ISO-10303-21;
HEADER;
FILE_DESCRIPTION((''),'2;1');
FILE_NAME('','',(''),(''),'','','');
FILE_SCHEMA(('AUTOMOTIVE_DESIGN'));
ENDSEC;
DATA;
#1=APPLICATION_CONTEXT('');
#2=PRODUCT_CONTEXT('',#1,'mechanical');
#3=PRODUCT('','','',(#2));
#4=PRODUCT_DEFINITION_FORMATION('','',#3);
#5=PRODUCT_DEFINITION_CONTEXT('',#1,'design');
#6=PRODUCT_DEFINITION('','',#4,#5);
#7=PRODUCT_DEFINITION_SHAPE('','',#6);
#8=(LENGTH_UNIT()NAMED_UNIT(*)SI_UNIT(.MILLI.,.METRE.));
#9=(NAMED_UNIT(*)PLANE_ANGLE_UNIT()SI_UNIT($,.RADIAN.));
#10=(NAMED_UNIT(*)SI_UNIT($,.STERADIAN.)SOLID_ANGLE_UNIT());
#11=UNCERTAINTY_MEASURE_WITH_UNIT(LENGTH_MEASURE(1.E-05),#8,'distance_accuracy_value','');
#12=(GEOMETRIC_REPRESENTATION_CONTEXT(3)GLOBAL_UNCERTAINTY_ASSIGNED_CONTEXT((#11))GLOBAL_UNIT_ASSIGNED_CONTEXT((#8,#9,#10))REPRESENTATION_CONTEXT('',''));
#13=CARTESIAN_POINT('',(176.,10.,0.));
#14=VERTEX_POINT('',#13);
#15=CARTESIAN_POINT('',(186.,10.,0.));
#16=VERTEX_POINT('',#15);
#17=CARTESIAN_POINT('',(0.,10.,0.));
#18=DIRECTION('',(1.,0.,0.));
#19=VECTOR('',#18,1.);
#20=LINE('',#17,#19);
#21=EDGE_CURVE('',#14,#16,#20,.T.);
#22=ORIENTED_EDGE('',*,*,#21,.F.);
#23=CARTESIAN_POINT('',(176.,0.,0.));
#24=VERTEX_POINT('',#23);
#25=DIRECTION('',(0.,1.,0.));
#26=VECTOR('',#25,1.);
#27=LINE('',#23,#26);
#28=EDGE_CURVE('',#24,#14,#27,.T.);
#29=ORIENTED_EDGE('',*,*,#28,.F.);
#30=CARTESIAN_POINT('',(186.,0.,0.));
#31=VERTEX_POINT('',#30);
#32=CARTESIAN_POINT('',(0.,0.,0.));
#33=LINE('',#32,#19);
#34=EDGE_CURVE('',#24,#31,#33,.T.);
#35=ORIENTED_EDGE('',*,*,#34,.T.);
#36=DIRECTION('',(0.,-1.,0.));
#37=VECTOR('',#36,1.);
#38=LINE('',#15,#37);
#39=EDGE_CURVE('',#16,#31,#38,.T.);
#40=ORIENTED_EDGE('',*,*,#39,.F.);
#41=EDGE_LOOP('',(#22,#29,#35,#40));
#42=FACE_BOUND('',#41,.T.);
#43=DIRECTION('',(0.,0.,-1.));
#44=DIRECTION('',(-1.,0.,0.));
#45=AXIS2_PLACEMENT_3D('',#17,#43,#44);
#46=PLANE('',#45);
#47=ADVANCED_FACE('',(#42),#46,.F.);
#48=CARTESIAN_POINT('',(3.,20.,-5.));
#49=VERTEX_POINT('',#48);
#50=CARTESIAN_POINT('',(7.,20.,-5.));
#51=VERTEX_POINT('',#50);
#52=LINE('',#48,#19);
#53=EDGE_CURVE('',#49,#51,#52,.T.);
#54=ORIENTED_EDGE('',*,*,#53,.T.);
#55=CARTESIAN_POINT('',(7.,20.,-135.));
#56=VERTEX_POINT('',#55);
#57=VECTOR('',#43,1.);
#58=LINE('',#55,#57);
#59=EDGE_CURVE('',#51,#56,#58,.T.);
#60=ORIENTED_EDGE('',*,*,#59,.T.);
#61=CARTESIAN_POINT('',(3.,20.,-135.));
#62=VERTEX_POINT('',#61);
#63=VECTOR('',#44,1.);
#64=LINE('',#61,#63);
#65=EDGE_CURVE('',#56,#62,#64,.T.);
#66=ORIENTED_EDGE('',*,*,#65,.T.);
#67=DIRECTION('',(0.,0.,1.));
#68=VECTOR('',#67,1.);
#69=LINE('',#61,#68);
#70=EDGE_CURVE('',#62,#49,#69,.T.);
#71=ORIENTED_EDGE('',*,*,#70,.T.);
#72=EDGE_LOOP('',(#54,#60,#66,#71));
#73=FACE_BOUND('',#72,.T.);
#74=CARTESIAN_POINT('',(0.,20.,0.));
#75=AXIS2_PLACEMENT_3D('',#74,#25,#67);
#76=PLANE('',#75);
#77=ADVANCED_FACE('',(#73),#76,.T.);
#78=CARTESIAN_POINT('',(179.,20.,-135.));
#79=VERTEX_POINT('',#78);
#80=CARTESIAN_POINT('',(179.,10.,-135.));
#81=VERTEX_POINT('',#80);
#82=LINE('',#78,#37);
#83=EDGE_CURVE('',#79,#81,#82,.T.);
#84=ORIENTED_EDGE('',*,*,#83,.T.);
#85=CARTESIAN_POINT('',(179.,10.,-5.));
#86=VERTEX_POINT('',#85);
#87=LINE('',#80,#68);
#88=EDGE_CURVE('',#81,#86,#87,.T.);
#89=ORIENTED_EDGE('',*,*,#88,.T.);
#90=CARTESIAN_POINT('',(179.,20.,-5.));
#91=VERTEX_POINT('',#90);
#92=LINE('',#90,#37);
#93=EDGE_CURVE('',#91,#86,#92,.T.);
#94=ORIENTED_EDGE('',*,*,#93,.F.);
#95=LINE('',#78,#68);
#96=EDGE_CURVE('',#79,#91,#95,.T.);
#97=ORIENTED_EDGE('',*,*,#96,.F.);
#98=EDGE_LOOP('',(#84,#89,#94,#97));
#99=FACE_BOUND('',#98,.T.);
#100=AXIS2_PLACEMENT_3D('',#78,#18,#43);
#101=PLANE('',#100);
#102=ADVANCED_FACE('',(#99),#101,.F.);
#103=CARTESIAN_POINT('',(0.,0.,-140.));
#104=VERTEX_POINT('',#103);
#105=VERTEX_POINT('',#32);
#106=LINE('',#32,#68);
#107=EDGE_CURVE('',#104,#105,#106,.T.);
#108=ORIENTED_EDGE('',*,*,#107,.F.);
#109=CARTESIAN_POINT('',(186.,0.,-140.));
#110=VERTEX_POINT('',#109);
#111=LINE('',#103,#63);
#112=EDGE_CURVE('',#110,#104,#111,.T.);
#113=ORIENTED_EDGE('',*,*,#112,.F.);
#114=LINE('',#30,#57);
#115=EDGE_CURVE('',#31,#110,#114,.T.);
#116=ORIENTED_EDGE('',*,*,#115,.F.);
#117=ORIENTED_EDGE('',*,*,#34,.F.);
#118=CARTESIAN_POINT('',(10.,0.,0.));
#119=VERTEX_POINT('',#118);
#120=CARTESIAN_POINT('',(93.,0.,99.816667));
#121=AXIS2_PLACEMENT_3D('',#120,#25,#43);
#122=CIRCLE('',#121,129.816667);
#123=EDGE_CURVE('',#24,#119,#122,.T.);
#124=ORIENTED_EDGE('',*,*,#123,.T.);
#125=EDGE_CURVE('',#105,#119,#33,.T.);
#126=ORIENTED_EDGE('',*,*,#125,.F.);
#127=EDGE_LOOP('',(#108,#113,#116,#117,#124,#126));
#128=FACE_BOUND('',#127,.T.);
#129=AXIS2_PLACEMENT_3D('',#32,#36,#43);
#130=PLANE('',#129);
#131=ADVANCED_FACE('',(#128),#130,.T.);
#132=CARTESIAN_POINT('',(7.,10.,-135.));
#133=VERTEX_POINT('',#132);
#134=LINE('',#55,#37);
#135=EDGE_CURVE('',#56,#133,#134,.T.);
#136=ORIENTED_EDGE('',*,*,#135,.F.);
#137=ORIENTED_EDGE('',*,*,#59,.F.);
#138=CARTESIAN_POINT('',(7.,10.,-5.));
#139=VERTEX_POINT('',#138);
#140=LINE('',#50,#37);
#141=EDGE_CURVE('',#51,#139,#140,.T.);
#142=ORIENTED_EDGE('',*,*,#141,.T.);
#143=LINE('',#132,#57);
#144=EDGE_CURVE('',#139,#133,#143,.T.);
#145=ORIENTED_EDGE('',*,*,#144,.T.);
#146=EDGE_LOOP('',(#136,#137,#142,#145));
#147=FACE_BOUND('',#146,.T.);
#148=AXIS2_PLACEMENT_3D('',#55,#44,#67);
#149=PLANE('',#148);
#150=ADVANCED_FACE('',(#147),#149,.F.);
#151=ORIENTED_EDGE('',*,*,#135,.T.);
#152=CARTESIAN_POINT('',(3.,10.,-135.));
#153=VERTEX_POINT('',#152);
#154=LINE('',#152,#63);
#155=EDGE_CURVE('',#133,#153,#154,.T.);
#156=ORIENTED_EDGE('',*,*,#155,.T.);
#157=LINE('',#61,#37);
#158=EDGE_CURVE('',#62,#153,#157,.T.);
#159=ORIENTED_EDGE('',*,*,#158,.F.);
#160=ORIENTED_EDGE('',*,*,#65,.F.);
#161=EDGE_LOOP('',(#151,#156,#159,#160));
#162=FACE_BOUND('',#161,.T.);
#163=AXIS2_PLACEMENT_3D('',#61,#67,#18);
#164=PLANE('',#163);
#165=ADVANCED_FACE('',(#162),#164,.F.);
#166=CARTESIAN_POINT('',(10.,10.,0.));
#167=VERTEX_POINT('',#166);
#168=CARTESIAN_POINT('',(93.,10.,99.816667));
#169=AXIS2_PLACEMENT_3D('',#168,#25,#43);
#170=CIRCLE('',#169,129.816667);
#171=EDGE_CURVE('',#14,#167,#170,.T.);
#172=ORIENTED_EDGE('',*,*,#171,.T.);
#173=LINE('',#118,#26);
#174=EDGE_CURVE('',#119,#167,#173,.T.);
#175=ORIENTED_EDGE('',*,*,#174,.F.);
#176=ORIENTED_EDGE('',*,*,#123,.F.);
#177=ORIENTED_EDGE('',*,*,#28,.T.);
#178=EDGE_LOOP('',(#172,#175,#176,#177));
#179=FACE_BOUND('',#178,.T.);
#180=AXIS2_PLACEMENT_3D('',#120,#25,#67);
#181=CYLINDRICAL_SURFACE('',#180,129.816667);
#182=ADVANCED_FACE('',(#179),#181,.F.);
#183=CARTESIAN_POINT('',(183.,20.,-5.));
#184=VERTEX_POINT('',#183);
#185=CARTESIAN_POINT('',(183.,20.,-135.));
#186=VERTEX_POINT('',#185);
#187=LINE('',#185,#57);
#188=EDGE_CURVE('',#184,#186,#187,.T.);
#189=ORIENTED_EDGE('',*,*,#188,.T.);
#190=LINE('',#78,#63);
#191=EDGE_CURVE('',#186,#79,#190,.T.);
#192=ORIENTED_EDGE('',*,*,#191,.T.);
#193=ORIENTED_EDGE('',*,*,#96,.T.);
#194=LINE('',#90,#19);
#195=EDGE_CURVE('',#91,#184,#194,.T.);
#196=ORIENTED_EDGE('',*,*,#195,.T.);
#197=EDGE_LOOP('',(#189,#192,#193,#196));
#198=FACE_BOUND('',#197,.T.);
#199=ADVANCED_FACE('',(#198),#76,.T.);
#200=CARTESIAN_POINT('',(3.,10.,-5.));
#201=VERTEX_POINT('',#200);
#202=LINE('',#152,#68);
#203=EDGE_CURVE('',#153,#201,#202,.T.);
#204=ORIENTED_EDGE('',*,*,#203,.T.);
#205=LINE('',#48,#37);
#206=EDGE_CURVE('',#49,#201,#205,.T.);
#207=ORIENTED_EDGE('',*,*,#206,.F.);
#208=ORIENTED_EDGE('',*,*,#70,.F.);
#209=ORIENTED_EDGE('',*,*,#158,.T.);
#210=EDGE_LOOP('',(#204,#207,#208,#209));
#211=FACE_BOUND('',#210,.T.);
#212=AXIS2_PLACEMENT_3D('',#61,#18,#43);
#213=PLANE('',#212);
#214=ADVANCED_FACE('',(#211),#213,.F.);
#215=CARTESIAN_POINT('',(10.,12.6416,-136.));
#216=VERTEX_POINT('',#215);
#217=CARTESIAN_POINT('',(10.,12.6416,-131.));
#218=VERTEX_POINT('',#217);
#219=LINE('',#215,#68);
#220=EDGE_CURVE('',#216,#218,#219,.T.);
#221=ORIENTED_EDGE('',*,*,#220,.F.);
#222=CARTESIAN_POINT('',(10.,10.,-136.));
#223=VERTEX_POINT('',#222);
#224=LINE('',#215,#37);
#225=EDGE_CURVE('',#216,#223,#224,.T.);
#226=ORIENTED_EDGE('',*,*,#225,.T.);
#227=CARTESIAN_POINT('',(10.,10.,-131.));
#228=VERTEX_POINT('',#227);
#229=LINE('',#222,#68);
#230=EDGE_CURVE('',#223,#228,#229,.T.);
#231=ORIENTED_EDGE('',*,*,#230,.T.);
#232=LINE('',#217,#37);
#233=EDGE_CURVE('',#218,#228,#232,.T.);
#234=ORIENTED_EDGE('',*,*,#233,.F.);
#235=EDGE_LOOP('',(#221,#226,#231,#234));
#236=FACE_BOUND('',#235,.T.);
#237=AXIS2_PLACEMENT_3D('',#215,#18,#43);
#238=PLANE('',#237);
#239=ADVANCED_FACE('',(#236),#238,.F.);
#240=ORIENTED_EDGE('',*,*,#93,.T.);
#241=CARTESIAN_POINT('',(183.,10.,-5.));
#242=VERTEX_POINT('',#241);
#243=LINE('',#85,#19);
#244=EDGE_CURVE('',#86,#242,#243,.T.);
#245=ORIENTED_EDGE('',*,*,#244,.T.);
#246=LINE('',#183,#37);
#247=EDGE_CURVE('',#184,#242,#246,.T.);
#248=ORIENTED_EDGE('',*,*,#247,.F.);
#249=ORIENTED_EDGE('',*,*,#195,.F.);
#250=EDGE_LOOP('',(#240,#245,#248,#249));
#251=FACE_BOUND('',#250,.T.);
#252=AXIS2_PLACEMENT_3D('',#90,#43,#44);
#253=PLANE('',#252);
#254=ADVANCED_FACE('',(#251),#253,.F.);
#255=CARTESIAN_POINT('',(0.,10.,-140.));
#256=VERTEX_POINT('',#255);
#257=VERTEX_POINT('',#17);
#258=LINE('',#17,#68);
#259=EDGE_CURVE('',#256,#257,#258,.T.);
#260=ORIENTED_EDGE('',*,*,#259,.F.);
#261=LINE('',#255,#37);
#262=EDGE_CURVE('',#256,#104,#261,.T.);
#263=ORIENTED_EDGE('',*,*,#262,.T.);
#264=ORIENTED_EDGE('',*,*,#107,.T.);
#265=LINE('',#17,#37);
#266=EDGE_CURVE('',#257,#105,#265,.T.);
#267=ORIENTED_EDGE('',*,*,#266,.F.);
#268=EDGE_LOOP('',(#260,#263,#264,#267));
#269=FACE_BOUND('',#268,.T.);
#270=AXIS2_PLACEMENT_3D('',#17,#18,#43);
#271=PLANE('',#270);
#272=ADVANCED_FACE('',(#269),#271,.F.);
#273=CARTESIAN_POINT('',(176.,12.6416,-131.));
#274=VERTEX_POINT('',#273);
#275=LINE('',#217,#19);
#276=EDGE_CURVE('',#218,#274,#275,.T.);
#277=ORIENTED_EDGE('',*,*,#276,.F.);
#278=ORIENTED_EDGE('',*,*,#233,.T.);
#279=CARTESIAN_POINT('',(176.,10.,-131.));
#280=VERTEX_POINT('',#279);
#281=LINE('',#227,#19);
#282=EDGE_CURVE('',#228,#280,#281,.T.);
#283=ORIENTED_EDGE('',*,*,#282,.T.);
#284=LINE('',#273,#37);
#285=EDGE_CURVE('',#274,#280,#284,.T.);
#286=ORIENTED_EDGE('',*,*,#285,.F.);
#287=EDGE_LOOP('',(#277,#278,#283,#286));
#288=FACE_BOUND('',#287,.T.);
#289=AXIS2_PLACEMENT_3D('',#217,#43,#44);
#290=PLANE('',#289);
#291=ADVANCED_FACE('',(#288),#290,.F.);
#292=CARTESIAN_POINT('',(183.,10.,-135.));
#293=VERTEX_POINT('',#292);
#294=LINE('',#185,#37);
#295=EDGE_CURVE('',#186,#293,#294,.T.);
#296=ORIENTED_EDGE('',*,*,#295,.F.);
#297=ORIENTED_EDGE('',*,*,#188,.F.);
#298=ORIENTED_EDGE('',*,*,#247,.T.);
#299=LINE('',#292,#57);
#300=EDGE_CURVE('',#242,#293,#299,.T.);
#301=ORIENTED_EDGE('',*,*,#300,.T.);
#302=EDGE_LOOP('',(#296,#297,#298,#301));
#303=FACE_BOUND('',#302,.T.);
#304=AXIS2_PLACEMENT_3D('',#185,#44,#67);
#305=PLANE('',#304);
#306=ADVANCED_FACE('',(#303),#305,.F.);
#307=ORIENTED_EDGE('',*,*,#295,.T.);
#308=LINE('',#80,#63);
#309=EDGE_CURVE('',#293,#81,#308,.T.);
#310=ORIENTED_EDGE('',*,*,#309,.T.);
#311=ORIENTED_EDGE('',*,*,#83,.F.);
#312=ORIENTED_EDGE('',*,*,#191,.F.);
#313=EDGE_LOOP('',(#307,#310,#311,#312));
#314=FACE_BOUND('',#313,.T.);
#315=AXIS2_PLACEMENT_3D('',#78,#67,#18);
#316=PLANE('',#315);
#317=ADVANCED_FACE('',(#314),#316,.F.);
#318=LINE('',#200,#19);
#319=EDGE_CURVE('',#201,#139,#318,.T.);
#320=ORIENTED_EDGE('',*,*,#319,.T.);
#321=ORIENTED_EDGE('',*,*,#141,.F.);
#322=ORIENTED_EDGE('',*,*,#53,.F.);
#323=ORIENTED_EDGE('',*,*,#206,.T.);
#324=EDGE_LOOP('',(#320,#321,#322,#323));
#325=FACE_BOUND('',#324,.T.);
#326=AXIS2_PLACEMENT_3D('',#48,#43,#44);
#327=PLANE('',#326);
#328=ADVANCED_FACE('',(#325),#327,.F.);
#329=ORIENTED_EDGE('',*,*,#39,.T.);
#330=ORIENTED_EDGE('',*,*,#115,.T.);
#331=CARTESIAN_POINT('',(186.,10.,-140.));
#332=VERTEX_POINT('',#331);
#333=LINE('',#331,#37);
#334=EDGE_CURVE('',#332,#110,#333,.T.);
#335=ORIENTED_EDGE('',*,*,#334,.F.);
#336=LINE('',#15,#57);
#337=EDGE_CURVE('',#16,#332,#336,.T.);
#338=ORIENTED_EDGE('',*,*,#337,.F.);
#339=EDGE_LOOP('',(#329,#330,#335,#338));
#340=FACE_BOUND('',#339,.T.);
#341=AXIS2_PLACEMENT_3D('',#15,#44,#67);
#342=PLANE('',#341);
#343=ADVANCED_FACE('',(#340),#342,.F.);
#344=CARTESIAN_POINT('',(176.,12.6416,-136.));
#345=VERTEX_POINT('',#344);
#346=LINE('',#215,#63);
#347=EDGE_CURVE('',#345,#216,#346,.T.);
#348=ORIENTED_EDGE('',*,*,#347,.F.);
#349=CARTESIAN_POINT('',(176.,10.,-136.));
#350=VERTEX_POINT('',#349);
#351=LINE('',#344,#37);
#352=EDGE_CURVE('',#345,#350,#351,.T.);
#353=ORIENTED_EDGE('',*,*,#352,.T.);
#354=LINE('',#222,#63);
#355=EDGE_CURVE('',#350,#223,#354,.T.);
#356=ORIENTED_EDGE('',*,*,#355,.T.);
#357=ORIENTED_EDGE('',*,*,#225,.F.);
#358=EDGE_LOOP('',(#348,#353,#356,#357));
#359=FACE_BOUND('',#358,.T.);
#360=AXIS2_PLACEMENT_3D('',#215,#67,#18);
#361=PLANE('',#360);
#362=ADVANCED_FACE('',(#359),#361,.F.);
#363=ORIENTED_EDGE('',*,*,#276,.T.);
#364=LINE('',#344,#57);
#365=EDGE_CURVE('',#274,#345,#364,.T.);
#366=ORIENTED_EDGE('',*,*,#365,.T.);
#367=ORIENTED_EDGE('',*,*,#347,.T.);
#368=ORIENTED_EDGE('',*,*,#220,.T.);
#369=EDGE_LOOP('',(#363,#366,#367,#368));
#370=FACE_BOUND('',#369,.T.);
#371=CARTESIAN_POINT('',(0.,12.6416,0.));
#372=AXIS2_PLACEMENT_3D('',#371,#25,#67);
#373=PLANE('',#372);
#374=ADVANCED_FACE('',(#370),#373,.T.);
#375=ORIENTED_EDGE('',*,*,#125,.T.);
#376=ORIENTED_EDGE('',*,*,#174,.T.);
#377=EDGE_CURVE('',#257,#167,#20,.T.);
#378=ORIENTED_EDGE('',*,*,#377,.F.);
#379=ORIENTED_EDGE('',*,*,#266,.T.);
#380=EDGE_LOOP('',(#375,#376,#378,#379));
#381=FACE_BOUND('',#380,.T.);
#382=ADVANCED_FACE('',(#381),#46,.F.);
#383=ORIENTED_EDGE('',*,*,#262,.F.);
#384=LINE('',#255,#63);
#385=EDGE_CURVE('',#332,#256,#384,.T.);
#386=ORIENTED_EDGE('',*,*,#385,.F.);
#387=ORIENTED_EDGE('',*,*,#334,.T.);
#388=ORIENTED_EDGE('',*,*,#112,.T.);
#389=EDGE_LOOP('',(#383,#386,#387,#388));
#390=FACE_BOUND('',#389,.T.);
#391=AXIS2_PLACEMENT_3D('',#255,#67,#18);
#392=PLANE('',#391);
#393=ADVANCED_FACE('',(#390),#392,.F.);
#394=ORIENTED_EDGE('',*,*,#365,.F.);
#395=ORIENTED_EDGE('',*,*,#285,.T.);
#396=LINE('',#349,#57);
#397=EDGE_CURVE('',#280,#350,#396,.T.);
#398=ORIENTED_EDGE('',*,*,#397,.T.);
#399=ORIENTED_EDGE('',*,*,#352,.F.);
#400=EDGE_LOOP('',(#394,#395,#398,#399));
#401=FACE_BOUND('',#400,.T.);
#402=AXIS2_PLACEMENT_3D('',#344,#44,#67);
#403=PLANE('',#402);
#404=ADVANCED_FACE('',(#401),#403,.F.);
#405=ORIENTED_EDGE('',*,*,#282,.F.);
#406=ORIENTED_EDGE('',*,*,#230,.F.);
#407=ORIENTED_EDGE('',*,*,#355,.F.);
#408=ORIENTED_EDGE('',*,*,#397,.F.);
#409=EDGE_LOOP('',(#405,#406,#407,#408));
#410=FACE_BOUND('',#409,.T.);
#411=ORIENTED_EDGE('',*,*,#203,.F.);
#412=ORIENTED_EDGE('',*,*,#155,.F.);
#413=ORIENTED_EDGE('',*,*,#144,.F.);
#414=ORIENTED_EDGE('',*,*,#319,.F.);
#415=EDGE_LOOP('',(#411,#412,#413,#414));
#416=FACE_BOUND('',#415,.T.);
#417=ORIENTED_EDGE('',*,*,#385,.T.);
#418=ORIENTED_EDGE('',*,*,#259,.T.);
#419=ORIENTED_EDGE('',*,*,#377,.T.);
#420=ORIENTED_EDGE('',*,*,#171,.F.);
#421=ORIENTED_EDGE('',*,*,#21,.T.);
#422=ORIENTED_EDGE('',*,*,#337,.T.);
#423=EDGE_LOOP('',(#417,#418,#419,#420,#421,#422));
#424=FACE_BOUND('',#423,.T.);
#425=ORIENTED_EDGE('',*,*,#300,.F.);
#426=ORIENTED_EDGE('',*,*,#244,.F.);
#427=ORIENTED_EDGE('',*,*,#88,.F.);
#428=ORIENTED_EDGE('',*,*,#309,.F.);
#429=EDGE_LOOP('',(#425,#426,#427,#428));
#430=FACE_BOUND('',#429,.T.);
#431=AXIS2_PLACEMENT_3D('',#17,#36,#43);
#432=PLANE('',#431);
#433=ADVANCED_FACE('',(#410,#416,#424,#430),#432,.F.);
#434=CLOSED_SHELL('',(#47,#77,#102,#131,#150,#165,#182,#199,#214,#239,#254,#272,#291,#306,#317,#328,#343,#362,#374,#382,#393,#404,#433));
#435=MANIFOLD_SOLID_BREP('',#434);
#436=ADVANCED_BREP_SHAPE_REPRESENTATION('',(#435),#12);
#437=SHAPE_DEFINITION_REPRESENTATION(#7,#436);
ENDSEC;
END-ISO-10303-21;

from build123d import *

# Parameters (mm, degrees)
SKETCH1_W           = 186
SKETCH1_H           = 140
BOSS_EXTRUDE1_DEPTH = 10
CUT_EXTRUDE5_DEPTH  = 234.015020975
SKETCH4_W           = 166
SKETCH4_H           = 5
BOSS_EXTRUDE3_DEPTH = 2.6416
SKETCH6_W           = 4
SKETCH6_H           = 130
BOSS_EXTRUDE4_DEPTH = 10
SKETCH7_W           = 4
SKETCH7_H           = 130
BOSS_EXTRUDE5_DEPTH = 10


with BuildPart() as part:
    # Sketch1 → Boss-Extrude1 (new body)
    with BuildSketch(Plane(origin=(0, 0, 0), x_dir=(1, 0, 0), z_dir=(0, 1, 0))):
        with Locations((93, 70)):
            Rectangle(SKETCH1_W, SKETCH1_H)
    extrude(amount=BOSS_EXTRUDE1_DEPTH)

    # Sketch5 → Cut-Extrude5 (cut, through all)
    with BuildSketch(Plane(origin=(0, 10, 0), x_dir=(1, 0, 0), z_dir=(0, 1, 0))):
        with BuildLine():
            Line((176, 0), (10, 0))
            ThreePointArc((10, 0), (93, 30), (176, 0))
        make_face()
    extrude(amount=-CUT_EXTRUDE5_DEPTH, mode=Mode.SUBTRACT)

    # Sketch4 → Boss-Extrude3 (add)
    with BuildSketch(Plane(origin=(0, 10, 0), x_dir=(1, 0, 0), z_dir=(0, 1, 0))):
        with Locations((93, 133.5)):
            Rectangle(SKETCH4_W, SKETCH4_H)
    extrude(amount=BOSS_EXTRUDE3_DEPTH)

    # Sketch6 → Boss-Extrude4 (add)
    with BuildSketch(Plane(origin=(0, 10, 0), x_dir=(1, 0, 0), z_dir=(0, 1, 0))):
        with Locations((181, 70)):
            Rectangle(SKETCH6_W, SKETCH6_H)
    extrude(amount=BOSS_EXTRUDE4_DEPTH)

    # Sketch7 → Boss-Extrude5 (add)
    with BuildSketch(Plane(origin=(0, 10, 0), x_dir=(1, 0, 0), z_dir=(0, 1, 0))):
        with Locations((5, 70)):
            Rectangle(SKETCH7_W, SKETCH7_H)
    extrude(amount=BOSS_EXTRUDE5_DEPTH)


solid = part.part
